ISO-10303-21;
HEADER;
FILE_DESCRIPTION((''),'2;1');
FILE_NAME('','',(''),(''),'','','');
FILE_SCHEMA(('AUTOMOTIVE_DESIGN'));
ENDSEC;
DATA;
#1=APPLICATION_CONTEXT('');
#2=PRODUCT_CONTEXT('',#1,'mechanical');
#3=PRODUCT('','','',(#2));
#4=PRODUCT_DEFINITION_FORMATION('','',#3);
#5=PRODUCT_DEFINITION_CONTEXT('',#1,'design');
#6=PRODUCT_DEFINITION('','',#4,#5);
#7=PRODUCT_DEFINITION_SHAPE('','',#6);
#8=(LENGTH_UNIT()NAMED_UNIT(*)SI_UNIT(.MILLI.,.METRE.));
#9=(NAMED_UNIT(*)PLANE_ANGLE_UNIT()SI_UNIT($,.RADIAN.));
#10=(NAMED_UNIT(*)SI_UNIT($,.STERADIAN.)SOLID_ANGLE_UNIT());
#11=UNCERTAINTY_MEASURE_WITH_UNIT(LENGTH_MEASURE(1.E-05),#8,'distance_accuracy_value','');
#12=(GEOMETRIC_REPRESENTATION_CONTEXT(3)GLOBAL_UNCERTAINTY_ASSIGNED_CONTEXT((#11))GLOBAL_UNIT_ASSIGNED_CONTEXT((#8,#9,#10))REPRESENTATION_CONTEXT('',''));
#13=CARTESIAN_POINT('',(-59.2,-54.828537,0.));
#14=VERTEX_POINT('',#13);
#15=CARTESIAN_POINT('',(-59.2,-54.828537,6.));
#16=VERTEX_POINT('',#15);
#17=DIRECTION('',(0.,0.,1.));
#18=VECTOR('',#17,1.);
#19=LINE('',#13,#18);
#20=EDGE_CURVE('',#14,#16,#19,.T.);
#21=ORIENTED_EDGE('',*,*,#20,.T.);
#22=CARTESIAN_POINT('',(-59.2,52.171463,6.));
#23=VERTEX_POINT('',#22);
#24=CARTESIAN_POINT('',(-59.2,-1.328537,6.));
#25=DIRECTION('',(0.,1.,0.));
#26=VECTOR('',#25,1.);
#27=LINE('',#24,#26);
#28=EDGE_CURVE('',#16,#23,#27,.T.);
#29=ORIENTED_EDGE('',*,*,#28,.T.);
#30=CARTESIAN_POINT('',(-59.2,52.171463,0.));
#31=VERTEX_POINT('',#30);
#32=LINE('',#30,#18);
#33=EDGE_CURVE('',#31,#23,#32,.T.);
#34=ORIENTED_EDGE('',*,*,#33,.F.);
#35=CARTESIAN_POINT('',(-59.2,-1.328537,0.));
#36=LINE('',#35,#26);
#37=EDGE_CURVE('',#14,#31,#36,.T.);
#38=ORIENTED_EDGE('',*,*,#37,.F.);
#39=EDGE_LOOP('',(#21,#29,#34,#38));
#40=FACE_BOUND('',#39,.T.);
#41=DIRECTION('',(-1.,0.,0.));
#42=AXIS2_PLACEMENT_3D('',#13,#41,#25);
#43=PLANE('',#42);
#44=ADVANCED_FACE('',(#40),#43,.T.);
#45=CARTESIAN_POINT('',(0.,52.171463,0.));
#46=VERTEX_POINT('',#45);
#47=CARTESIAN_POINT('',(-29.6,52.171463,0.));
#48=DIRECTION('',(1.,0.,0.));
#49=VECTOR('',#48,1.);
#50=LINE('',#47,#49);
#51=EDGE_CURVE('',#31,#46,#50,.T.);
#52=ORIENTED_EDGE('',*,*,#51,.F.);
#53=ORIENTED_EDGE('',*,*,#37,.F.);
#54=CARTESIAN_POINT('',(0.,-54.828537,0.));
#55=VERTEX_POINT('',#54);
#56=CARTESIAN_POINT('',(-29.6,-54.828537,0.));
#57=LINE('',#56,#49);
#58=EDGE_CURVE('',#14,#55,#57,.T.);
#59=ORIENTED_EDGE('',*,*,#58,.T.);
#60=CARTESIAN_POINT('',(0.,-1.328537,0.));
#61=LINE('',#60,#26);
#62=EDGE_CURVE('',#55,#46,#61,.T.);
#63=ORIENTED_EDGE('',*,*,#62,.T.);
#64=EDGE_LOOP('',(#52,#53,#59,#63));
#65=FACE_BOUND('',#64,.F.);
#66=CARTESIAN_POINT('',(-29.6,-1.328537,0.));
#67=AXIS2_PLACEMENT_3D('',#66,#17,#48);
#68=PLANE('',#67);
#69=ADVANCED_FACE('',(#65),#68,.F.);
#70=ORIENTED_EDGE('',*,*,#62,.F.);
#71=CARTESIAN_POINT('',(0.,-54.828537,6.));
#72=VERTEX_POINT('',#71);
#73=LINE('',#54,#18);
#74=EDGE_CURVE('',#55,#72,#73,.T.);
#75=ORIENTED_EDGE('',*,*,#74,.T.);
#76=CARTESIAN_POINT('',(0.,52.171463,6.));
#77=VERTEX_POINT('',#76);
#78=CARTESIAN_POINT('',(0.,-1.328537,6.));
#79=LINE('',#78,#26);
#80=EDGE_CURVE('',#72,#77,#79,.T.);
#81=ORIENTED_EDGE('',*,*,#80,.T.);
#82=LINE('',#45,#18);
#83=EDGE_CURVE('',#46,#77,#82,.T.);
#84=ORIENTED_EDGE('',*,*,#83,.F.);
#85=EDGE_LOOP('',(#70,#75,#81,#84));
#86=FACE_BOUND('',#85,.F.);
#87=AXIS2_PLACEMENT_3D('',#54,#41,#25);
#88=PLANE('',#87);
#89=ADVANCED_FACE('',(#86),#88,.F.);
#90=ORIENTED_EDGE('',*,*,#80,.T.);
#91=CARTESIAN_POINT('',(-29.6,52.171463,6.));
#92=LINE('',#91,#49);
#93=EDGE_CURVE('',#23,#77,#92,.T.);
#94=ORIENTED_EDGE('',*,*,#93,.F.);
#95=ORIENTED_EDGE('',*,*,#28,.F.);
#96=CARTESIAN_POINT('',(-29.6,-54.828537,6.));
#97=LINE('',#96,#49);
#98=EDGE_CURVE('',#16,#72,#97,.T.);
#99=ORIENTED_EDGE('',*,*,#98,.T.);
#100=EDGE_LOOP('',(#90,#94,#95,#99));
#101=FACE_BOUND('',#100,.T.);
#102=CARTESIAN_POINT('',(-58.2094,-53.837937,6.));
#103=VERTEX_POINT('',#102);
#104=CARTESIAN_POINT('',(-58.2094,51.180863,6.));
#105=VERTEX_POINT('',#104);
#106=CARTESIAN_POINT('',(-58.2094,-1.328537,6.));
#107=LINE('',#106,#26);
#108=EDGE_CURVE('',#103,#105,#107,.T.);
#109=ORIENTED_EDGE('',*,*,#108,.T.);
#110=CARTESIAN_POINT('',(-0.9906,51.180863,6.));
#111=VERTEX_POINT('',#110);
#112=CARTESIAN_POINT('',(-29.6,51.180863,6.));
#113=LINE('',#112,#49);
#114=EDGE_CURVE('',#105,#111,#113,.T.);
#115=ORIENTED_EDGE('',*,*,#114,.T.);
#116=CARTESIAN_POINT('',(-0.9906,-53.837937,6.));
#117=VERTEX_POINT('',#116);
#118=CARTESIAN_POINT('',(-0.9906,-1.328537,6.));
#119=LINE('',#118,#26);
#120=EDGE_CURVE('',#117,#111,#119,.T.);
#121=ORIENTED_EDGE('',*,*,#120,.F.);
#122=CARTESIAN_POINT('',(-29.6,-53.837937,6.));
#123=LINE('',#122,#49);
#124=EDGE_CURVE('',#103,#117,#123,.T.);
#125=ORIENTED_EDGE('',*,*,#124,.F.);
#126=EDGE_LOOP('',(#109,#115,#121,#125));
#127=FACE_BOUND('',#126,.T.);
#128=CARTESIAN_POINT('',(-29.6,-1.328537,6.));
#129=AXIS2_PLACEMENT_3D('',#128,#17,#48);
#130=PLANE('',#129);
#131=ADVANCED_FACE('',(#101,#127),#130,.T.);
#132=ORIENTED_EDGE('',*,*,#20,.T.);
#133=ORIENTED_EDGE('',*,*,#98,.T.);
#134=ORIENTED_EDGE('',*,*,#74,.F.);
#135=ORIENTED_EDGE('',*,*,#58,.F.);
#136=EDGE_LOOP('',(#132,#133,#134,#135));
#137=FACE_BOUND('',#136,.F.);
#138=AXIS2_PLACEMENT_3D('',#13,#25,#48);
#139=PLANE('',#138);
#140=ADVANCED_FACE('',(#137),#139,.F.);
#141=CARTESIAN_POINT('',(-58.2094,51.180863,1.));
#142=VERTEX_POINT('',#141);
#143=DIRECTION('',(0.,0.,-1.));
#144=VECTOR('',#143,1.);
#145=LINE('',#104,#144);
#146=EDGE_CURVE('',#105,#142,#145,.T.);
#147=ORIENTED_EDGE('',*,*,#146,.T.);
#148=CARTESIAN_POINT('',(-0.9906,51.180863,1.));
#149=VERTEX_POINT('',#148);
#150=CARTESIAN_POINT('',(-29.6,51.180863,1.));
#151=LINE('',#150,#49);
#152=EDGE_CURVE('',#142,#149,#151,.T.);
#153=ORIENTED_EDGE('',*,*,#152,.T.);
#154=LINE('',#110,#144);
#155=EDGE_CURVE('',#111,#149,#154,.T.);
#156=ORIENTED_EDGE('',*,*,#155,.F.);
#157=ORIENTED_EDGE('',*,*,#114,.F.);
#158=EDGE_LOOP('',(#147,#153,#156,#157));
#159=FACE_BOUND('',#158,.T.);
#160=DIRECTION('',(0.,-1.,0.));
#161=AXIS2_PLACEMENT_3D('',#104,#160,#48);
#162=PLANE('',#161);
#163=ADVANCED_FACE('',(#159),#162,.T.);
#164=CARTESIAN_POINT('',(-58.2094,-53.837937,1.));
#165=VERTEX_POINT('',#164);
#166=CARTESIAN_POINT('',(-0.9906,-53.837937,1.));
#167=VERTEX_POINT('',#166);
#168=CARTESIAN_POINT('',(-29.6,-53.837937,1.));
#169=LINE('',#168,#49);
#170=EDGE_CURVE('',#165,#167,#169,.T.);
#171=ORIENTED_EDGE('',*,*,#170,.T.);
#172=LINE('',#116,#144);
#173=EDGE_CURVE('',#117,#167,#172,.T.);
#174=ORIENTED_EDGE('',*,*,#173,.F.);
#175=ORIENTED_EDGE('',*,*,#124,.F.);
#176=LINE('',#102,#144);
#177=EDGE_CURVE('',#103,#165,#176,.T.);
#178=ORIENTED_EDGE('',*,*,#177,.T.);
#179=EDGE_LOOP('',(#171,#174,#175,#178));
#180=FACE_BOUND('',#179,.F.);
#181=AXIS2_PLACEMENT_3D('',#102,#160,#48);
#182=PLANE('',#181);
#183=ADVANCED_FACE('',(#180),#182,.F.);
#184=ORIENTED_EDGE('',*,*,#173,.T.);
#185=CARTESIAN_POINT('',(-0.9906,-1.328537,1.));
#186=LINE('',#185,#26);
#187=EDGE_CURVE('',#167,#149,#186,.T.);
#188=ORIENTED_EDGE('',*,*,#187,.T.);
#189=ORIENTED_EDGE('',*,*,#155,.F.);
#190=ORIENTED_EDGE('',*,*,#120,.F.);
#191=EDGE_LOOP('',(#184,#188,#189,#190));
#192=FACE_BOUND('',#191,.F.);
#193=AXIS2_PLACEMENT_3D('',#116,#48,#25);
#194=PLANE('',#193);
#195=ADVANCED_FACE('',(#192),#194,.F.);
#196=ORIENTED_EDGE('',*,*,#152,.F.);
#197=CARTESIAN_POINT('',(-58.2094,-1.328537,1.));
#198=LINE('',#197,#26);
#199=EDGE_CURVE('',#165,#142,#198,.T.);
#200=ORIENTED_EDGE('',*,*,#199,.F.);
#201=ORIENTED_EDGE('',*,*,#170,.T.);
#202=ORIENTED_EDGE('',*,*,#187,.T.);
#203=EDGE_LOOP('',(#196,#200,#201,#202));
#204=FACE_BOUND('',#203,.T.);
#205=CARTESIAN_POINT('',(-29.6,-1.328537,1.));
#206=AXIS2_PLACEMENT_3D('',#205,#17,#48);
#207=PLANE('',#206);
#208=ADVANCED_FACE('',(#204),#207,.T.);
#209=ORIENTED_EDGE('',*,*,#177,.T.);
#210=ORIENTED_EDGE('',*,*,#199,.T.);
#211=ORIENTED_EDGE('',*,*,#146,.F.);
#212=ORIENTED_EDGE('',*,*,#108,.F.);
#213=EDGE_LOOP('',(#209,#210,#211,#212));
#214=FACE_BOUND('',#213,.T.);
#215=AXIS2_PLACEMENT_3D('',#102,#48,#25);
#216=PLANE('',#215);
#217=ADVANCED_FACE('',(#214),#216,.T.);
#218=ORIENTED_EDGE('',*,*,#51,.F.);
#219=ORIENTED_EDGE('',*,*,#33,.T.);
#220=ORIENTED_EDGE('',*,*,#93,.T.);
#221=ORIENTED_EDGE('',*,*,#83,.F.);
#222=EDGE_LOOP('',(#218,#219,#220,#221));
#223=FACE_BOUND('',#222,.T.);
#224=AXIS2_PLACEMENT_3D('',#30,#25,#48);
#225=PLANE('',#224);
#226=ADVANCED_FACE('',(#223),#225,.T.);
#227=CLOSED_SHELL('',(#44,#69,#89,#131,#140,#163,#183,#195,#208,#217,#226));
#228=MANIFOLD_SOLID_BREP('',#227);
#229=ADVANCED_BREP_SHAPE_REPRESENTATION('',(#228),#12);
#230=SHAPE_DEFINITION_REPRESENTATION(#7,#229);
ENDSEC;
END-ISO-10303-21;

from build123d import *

# Parameters (mm, degrees)
F0_W     = 59.2
F0_H     = 107
F1_DEPTH = 6
F2_W     = 57.2188
F2_H     = 105.0188
F3_DEPTH = 5


with BuildPart() as f1:
    # F0 (on Top) → F1 (new body)
    with BuildSketch(Plane.XY):
        with Locations((-29.6, -1.328537)):
            Rectangle(F0_W, F0_H)
    extrude(amount=F1_DEPTH)

    # F2 (on face) → F3 (cut)
    with BuildSketch(Plane.XY.offset(6)):
        with Locations((-29.6, -1.328537)):
            Rectangle(F2_W, F2_H)
    extrude(amount=-F3_DEPTH, mode=Mode.SUBTRACT)


solid = f1.part
